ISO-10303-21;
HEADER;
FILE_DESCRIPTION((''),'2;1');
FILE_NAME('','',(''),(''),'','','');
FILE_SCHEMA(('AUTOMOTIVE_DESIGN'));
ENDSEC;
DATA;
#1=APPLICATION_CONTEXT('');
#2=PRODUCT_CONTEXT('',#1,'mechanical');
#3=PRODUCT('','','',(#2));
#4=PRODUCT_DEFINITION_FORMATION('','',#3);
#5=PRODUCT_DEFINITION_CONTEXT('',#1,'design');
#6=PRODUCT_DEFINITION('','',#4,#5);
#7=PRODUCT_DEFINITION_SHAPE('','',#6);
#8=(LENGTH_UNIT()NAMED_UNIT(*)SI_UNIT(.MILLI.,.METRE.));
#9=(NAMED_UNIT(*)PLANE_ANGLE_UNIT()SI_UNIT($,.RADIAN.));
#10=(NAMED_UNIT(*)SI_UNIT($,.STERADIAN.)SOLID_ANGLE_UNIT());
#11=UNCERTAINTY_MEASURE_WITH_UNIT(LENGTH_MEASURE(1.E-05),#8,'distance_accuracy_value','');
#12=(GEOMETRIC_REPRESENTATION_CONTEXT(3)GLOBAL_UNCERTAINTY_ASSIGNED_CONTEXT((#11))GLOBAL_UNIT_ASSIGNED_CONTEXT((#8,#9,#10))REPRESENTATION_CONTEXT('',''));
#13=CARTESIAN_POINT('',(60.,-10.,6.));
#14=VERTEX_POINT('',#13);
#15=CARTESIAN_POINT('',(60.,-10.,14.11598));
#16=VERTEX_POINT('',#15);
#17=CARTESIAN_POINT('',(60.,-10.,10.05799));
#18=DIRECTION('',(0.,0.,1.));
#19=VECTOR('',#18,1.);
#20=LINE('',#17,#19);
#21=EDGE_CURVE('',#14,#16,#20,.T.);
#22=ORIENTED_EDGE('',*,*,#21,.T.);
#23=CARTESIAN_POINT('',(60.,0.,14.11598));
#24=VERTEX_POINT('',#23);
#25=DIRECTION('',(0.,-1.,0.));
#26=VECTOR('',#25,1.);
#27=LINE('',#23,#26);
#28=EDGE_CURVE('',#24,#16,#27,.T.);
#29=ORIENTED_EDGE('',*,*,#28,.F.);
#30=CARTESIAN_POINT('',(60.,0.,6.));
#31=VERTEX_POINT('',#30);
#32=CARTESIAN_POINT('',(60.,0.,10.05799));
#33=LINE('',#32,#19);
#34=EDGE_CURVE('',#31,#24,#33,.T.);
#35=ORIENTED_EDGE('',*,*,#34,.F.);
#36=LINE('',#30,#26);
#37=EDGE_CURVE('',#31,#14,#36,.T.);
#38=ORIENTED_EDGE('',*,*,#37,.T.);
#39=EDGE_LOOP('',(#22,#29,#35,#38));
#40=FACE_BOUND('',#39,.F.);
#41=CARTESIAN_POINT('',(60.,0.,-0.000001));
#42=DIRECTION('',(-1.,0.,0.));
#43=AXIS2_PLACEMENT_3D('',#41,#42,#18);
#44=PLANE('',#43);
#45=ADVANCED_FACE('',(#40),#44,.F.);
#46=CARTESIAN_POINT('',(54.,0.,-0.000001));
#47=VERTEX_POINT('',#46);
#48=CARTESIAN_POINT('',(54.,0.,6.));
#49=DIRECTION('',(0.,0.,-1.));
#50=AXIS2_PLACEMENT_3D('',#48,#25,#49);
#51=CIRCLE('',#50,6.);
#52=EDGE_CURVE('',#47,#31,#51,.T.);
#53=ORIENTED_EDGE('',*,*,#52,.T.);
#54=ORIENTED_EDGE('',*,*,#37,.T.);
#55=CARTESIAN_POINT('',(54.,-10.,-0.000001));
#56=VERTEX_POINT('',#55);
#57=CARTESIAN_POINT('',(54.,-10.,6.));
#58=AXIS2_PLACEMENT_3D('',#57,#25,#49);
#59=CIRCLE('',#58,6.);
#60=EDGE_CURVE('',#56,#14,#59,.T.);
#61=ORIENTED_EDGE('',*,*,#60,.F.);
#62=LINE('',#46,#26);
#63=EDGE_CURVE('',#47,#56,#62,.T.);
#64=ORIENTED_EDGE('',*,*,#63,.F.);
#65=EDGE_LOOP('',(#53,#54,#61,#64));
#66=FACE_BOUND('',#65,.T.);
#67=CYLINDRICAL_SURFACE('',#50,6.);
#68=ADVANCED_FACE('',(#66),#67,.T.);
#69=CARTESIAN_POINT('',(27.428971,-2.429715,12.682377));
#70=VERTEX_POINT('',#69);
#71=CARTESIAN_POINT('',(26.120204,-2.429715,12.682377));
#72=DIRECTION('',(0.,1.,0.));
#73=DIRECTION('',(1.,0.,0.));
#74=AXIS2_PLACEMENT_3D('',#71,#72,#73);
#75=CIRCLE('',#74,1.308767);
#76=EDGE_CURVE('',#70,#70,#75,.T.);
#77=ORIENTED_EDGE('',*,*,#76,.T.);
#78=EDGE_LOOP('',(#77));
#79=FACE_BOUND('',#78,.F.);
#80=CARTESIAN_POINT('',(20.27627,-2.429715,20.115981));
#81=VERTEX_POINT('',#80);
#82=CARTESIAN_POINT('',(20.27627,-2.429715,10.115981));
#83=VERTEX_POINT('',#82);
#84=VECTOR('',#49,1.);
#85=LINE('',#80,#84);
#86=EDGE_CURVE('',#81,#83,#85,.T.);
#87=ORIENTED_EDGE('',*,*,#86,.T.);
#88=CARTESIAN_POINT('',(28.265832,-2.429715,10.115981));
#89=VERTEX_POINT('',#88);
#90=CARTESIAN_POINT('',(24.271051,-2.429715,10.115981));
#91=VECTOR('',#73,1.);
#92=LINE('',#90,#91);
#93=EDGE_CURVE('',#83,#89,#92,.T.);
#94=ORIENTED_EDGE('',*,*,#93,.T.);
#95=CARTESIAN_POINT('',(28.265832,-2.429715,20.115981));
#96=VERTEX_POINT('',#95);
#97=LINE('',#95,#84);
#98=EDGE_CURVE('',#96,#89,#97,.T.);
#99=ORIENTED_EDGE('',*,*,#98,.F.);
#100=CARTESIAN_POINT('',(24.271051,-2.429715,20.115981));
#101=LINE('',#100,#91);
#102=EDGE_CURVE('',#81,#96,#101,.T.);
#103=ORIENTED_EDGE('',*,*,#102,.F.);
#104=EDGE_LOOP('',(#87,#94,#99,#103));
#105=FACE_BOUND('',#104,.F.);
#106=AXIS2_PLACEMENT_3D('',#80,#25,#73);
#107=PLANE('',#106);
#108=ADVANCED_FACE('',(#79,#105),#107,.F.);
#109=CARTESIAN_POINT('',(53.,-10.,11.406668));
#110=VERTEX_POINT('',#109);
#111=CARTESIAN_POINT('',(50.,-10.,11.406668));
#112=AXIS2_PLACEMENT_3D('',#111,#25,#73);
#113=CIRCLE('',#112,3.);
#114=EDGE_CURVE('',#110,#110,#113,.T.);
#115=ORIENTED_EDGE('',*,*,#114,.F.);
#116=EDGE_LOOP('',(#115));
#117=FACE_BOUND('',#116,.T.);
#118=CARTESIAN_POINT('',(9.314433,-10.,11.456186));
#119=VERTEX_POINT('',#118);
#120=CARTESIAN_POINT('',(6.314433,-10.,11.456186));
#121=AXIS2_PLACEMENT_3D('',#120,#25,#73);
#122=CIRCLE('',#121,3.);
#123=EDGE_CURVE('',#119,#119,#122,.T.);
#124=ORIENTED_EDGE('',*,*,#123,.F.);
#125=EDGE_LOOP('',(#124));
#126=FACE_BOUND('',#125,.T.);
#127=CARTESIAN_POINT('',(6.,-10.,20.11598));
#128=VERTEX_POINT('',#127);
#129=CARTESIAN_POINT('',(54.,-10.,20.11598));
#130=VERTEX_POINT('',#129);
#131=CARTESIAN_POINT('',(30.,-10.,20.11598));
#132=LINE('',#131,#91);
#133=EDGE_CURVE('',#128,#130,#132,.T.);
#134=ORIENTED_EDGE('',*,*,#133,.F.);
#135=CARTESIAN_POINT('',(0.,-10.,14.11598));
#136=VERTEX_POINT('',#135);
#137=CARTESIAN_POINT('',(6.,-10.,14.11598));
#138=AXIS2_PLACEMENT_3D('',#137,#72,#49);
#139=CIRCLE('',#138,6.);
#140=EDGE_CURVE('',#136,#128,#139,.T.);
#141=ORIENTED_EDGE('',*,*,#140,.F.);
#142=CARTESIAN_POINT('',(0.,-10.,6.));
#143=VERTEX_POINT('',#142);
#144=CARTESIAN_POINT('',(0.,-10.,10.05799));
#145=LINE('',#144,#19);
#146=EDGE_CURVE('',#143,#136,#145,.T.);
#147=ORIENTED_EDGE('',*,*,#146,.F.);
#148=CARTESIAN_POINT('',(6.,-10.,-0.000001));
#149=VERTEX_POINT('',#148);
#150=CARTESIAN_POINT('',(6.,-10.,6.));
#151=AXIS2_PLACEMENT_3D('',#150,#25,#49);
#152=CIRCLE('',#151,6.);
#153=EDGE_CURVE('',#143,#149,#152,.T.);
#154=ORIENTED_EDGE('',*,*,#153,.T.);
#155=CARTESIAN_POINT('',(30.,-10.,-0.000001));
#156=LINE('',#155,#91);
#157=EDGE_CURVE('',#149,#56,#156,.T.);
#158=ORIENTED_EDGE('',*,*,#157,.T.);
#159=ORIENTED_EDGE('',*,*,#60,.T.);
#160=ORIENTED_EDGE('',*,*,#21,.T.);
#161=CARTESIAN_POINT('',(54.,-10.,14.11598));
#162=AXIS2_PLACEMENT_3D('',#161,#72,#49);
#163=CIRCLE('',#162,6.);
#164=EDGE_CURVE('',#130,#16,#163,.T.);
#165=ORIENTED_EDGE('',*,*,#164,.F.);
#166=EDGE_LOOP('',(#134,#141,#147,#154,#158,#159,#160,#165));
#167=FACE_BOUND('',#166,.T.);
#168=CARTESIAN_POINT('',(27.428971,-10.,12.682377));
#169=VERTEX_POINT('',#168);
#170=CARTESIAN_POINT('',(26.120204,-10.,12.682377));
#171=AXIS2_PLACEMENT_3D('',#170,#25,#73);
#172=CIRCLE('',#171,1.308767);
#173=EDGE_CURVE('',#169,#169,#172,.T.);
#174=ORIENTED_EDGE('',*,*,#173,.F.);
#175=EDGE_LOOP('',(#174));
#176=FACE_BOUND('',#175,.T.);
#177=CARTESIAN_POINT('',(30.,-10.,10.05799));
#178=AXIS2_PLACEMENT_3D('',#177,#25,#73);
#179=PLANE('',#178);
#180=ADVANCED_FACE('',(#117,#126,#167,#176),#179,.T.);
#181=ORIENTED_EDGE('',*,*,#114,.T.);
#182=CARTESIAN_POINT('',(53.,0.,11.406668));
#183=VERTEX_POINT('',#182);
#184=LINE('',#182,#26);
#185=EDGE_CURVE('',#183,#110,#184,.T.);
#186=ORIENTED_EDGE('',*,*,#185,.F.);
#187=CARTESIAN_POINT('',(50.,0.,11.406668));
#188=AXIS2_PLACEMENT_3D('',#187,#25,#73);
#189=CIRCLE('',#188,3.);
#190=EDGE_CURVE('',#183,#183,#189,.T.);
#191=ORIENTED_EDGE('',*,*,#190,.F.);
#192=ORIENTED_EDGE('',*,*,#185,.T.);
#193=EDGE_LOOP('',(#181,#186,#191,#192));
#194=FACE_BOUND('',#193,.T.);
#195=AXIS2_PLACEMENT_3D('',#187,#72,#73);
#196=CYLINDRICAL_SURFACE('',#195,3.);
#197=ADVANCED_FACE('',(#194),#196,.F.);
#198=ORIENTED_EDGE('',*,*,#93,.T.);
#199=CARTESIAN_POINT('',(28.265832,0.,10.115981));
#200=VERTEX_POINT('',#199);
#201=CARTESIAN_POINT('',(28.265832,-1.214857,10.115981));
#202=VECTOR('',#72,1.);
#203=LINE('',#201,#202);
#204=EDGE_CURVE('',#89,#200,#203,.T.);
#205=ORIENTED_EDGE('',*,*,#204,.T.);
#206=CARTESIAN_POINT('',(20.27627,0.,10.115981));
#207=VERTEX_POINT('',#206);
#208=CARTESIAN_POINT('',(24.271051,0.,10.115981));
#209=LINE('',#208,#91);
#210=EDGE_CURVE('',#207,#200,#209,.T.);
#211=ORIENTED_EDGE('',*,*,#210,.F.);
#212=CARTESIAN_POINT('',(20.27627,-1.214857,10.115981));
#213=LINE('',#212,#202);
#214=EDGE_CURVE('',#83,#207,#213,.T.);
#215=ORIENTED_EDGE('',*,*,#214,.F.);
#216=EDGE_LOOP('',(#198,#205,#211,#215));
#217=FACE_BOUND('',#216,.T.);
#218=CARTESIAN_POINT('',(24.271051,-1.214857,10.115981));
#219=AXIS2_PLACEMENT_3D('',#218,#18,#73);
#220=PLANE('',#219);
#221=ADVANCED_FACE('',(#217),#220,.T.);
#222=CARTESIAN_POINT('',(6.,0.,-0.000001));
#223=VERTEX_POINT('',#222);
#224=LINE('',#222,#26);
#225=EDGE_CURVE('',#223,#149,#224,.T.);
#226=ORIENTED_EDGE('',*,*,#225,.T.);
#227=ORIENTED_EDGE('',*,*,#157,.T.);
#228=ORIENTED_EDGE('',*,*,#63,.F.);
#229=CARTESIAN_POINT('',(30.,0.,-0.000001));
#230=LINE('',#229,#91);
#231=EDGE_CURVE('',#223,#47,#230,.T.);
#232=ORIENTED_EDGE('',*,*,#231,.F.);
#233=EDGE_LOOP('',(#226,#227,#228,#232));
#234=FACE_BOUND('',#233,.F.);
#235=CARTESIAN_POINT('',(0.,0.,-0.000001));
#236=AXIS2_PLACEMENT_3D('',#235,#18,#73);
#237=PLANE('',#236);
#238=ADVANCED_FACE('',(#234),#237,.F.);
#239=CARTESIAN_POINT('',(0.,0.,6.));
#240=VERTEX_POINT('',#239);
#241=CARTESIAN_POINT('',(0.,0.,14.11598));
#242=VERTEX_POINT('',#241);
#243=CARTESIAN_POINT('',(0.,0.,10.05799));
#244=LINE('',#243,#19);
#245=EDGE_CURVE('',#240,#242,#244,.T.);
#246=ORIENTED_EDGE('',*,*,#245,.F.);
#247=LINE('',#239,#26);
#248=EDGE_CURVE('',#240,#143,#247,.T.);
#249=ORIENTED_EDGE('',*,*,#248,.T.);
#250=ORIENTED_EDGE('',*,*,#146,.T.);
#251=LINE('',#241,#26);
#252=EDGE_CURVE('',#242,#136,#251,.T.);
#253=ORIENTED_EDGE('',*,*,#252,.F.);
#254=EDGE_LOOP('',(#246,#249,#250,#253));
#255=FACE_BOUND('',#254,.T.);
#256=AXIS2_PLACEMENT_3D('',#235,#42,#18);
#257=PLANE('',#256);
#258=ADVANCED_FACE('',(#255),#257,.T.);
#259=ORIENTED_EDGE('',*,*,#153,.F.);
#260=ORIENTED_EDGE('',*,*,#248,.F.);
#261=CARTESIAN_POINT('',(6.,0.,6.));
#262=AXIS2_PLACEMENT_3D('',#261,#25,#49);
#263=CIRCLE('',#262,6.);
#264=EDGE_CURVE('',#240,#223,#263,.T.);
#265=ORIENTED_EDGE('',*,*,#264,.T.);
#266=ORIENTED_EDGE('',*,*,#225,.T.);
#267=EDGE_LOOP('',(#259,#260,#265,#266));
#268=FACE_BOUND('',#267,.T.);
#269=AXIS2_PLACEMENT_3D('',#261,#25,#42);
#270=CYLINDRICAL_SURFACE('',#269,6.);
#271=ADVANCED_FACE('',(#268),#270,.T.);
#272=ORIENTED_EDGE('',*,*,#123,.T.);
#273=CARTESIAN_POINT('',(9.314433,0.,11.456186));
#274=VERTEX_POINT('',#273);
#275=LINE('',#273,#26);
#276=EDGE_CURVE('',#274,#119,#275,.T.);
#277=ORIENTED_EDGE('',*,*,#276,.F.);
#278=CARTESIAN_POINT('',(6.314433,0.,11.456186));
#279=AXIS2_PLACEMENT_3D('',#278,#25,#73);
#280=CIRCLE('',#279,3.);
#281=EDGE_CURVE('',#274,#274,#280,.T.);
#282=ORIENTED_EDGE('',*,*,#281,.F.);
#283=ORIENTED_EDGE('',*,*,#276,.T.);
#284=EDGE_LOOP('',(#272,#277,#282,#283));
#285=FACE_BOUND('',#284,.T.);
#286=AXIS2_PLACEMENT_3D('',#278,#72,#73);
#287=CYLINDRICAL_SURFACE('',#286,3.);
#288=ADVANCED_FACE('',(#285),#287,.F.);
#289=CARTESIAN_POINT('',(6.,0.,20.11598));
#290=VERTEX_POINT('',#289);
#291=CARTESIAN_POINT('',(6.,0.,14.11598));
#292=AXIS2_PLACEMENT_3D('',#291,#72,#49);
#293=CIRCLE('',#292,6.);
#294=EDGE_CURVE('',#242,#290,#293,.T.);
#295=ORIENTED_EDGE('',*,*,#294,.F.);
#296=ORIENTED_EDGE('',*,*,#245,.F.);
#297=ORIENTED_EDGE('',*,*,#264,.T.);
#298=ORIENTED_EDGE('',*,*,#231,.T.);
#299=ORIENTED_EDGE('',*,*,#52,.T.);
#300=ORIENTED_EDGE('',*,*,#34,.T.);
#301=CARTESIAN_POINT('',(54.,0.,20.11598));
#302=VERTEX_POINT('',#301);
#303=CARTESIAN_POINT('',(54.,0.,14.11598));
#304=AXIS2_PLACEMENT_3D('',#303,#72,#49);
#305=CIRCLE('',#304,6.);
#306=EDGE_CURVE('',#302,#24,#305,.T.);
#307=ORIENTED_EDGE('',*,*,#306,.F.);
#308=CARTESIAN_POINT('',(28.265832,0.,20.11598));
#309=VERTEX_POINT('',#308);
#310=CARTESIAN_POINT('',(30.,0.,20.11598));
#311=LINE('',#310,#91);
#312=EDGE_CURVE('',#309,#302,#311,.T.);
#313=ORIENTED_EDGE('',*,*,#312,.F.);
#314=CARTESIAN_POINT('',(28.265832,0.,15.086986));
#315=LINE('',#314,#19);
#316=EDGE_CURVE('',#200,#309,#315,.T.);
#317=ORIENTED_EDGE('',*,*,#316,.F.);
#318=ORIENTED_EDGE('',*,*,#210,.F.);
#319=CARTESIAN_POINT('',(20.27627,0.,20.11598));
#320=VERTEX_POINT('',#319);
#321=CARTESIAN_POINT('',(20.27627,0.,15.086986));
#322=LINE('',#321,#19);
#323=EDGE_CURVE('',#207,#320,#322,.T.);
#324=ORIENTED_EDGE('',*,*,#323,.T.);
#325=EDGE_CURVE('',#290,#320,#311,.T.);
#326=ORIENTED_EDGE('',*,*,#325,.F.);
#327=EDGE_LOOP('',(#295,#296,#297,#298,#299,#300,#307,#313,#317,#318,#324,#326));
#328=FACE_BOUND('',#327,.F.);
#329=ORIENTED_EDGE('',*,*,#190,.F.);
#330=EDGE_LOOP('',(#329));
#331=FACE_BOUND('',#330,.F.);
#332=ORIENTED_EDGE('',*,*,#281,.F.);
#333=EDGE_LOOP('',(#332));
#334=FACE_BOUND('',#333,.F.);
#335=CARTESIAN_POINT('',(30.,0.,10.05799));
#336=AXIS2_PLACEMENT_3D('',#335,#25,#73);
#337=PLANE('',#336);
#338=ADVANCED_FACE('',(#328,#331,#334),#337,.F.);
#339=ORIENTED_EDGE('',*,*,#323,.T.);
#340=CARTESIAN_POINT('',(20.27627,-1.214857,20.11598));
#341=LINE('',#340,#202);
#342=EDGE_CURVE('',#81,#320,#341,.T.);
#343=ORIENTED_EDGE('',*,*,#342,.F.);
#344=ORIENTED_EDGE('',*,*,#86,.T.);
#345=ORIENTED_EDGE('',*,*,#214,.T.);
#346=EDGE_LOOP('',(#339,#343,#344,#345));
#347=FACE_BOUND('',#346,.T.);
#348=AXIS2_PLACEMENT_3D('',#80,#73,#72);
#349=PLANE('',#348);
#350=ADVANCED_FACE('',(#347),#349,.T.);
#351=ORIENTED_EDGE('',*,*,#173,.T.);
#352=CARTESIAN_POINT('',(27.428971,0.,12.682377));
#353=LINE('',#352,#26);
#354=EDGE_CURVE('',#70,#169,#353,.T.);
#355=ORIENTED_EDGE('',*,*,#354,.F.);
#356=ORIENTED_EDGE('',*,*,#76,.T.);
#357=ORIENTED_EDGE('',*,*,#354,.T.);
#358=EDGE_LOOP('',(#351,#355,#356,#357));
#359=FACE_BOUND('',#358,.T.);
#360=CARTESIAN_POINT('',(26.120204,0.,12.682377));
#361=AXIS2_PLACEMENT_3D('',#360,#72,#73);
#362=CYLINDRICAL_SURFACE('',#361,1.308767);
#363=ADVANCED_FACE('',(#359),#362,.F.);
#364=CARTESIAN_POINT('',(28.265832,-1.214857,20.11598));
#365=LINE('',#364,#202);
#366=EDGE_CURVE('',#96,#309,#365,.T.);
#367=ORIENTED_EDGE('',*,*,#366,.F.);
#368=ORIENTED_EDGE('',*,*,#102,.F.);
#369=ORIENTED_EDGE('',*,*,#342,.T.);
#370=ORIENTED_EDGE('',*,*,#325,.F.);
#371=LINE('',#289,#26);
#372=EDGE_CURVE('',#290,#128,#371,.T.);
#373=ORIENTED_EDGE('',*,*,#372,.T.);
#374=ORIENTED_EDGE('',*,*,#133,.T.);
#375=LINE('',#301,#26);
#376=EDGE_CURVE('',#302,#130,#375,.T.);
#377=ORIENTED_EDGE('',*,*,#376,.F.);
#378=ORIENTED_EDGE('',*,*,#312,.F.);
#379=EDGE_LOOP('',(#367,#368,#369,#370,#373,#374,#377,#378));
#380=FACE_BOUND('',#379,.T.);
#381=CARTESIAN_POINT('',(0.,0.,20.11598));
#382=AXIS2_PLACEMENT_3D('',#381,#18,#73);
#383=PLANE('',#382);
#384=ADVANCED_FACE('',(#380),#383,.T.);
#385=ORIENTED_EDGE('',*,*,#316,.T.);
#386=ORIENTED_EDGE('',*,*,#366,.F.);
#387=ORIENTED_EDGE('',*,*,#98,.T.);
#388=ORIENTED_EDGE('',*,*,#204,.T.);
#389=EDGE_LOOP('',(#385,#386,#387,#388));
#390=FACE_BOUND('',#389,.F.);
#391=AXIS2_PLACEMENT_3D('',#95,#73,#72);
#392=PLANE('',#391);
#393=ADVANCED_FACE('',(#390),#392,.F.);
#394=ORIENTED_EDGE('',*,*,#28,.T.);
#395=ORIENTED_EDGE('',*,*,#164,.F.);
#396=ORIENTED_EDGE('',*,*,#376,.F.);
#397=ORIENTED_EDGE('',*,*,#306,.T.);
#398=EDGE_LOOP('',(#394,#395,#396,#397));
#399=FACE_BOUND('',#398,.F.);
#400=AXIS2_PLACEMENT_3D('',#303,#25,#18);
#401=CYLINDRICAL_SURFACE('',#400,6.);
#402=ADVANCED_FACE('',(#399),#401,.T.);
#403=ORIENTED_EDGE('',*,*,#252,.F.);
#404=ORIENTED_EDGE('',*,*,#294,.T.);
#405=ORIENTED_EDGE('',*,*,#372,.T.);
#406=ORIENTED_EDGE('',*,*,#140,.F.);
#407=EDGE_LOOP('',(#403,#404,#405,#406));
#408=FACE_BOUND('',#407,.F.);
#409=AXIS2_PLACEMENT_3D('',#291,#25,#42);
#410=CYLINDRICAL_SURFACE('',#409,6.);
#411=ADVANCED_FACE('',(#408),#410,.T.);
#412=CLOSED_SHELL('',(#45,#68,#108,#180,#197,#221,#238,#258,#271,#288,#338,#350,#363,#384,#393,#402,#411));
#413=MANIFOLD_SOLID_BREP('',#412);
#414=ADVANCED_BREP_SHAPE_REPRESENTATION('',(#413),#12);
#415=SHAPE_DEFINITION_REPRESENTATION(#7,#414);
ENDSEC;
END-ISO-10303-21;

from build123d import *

# Parameters (mm, degrees)
F0_W     = 60
F0_H     = 20.115981
F0_R     = 3
F0_R_2   = 1.308767
F1_DEPTH = 10
F3_R     = 6
F4_W     = 7.989561
F4_H     = 2.429715
F5_DEPTH = 10


with BuildPart() as f1:
    # F0 (on Front) → F1 (new body)
    with BuildSketch(Plane.XZ):
        with Locations((30, 10.05799)):
            Rectangle(F0_W, F0_H)
        with Locations((6.314433, 11.456186)):
            Circle(F0_R, mode=Mode.SUBTRACT)
        with Locations((26.120204, 12.682377)):
            Circle(F0_R_2, mode=Mode.SUBTRACT)
        with Locations((50, 11.406668)):
            Circle(F0_R, mode=Mode.SUBTRACT)
    extrude(amount=F1_DEPTH)

    # F3
    f3_edges = [f1.edges().sort_by_distance(p)[0] for p in [
        (0, -5, 0),
        (0, -5, 20.115981),
        (60, -5, 0),
        (60, -5, 20.115981),
    ]]
    fillet(f3_edges, radius=F3_R)

    # F4 (on face) → F5 (cut)
    with BuildSketch(Plane.XY.offset(20.115981)):
        with Locations((24.271051, -1.214857)):
            Rectangle(F4_W, F4_H)
    extrude(amount=-F5_DEPTH, mode=Mode.SUBTRACT)


solid = f1.part
